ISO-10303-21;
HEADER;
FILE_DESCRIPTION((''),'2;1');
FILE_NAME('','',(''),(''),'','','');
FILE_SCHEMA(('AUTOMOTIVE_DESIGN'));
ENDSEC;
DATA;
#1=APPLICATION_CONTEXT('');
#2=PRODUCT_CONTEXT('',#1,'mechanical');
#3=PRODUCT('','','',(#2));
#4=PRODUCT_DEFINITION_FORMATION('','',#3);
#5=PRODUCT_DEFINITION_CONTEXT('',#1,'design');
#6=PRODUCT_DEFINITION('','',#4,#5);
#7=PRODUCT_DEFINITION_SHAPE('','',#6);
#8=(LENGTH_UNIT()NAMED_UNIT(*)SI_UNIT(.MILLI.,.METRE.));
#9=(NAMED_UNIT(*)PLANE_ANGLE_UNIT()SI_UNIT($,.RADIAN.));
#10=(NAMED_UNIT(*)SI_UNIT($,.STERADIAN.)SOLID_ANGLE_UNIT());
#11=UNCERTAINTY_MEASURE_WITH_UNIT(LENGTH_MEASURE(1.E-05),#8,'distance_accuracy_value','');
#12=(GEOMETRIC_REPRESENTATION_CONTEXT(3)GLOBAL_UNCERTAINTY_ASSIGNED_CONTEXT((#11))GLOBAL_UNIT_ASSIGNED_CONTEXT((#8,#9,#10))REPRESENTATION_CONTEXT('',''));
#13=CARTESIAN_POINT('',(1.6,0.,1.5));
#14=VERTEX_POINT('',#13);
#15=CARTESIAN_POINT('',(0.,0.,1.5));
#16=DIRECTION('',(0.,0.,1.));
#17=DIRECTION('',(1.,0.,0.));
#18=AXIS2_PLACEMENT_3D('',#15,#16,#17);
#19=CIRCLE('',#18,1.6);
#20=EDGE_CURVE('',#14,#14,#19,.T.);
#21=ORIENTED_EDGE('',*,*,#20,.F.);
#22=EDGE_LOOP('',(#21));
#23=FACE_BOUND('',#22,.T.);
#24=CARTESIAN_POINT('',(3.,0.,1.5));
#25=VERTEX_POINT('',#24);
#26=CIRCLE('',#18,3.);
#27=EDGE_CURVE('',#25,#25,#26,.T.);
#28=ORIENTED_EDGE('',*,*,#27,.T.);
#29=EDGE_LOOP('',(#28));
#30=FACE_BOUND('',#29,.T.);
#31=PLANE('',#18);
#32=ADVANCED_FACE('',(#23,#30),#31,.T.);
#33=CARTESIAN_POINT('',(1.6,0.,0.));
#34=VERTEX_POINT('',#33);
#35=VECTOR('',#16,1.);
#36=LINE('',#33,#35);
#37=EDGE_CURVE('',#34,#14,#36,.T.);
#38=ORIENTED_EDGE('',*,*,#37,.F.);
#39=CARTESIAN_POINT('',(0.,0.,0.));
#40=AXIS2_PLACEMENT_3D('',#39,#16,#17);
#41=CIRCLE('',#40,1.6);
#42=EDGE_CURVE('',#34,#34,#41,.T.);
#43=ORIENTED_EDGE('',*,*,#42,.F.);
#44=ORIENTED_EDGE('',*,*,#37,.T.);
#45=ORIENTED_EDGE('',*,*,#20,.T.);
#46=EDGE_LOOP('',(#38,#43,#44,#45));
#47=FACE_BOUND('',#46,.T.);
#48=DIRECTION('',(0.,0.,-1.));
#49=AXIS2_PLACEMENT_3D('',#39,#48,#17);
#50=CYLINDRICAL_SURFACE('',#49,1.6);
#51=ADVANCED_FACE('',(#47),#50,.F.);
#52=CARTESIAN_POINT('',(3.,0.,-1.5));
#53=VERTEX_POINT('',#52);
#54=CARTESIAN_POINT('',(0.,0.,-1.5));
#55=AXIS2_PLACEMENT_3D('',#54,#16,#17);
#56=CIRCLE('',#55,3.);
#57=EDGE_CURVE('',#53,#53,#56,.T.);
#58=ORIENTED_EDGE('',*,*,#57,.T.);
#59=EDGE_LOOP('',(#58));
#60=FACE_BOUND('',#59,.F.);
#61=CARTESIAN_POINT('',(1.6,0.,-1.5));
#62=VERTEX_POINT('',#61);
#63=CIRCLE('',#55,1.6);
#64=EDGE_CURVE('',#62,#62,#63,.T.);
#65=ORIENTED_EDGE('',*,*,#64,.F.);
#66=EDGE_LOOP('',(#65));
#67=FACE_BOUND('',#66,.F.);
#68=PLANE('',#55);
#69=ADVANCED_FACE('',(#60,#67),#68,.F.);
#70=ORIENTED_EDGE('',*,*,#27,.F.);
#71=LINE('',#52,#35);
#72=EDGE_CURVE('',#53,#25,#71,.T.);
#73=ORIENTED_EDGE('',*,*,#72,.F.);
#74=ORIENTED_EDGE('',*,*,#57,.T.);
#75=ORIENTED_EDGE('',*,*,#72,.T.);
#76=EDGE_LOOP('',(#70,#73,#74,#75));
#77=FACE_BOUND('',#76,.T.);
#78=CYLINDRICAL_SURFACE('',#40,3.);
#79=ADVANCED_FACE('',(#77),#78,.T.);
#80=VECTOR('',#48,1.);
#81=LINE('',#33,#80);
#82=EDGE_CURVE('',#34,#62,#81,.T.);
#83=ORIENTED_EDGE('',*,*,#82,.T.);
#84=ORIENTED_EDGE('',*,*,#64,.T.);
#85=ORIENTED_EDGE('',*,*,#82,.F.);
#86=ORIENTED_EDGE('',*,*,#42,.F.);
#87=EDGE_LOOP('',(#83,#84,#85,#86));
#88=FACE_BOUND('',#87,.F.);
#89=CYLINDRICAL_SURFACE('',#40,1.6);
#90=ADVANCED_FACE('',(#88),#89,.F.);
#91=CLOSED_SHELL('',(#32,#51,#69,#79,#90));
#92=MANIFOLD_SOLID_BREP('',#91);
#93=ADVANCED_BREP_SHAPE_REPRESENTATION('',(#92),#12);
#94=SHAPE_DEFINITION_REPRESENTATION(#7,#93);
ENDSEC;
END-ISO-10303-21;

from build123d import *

# Parameters (mm, degrees)
SKETCH1_R           = 3
SKETCH1_R_2         = 1.6
EXTRUDE1_DEPTH      = 1.5
EXTRUDE1_DEPTH_BACK = 1.5


with BuildPart() as part:
    # Sketch1 → Extrude1 (new body, two sides)
    with BuildSketch(Plane.XY) as extrude1_sk:
        Circle(SKETCH1_R)
        Circle(SKETCH1_R_2, mode=Mode.SUBTRACT)
    extrude(amount=EXTRUDE1_DEPTH)
    extrude(extrude1_sk.sketch, amount=-EXTRUDE1_DEPTH_BACK)


solid = part.part
